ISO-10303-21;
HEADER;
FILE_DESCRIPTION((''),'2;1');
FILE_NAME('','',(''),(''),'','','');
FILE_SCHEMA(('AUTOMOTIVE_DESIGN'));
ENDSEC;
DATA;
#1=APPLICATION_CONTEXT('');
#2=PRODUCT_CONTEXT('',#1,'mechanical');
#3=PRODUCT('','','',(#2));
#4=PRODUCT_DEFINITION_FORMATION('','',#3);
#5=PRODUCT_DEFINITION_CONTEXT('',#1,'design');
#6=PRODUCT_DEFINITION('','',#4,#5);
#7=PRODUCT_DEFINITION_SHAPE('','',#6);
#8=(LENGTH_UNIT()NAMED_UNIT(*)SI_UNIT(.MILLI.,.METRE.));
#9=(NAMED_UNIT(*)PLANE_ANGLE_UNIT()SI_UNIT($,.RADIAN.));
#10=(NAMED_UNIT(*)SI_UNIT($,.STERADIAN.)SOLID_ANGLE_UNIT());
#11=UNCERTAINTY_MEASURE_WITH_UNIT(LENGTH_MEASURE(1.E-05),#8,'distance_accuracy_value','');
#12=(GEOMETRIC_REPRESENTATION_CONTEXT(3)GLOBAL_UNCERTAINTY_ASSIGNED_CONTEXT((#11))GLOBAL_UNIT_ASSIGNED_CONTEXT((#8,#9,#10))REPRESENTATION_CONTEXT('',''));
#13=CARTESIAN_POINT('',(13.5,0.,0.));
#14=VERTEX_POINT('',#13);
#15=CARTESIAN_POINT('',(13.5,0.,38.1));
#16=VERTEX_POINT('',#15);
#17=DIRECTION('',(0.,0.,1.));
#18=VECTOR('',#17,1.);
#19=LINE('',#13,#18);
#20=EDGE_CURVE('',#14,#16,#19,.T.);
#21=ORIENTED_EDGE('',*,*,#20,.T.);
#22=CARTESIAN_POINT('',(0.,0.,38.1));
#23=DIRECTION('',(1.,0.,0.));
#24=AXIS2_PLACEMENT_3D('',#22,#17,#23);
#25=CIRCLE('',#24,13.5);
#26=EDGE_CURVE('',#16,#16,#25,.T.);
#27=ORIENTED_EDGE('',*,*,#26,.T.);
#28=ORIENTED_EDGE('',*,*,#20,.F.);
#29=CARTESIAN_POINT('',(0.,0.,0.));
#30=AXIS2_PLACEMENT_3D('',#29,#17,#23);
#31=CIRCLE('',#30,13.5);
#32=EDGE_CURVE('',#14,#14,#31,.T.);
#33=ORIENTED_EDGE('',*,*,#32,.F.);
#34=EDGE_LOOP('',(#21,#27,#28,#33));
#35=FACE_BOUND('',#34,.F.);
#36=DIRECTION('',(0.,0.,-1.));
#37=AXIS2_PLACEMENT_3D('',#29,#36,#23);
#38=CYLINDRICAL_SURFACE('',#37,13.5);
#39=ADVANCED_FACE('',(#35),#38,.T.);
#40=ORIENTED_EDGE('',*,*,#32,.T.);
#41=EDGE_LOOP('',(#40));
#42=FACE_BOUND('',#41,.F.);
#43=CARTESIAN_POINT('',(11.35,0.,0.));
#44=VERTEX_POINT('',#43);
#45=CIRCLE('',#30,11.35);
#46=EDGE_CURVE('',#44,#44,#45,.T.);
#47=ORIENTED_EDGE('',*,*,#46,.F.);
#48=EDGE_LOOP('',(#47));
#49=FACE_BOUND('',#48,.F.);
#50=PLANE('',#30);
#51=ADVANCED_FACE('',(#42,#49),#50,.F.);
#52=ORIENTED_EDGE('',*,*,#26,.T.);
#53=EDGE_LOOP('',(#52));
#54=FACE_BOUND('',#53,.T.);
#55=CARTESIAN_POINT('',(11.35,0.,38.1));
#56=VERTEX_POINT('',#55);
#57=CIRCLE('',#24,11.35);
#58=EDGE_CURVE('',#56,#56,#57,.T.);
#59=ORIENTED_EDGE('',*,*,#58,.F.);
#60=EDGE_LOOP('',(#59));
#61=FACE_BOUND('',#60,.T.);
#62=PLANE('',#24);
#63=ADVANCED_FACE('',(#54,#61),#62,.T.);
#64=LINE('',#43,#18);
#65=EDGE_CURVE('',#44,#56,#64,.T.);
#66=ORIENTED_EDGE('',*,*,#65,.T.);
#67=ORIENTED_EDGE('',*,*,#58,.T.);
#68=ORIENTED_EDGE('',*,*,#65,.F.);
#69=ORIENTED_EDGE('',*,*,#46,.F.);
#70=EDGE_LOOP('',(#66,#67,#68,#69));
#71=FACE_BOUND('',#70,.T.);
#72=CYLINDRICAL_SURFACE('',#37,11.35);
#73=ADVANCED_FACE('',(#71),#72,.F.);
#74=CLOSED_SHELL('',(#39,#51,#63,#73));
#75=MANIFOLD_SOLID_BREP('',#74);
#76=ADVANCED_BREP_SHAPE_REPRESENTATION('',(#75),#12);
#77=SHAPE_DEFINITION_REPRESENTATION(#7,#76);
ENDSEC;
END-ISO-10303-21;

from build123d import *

# Parameters (mm, degrees)
SKETCH_R   = 13.5
SKETCH_R_2 = 11.35
PAD_DEPTH  = 38.1


with BuildPart() as part:
    # Sketch → Pad (new body)
    with BuildSketch(Plane.XY):
        Circle(SKETCH_R)
        Circle(SKETCH_R_2, mode=Mode.SUBTRACT)
    extrude(amount=PAD_DEPTH)


solid = part.part
